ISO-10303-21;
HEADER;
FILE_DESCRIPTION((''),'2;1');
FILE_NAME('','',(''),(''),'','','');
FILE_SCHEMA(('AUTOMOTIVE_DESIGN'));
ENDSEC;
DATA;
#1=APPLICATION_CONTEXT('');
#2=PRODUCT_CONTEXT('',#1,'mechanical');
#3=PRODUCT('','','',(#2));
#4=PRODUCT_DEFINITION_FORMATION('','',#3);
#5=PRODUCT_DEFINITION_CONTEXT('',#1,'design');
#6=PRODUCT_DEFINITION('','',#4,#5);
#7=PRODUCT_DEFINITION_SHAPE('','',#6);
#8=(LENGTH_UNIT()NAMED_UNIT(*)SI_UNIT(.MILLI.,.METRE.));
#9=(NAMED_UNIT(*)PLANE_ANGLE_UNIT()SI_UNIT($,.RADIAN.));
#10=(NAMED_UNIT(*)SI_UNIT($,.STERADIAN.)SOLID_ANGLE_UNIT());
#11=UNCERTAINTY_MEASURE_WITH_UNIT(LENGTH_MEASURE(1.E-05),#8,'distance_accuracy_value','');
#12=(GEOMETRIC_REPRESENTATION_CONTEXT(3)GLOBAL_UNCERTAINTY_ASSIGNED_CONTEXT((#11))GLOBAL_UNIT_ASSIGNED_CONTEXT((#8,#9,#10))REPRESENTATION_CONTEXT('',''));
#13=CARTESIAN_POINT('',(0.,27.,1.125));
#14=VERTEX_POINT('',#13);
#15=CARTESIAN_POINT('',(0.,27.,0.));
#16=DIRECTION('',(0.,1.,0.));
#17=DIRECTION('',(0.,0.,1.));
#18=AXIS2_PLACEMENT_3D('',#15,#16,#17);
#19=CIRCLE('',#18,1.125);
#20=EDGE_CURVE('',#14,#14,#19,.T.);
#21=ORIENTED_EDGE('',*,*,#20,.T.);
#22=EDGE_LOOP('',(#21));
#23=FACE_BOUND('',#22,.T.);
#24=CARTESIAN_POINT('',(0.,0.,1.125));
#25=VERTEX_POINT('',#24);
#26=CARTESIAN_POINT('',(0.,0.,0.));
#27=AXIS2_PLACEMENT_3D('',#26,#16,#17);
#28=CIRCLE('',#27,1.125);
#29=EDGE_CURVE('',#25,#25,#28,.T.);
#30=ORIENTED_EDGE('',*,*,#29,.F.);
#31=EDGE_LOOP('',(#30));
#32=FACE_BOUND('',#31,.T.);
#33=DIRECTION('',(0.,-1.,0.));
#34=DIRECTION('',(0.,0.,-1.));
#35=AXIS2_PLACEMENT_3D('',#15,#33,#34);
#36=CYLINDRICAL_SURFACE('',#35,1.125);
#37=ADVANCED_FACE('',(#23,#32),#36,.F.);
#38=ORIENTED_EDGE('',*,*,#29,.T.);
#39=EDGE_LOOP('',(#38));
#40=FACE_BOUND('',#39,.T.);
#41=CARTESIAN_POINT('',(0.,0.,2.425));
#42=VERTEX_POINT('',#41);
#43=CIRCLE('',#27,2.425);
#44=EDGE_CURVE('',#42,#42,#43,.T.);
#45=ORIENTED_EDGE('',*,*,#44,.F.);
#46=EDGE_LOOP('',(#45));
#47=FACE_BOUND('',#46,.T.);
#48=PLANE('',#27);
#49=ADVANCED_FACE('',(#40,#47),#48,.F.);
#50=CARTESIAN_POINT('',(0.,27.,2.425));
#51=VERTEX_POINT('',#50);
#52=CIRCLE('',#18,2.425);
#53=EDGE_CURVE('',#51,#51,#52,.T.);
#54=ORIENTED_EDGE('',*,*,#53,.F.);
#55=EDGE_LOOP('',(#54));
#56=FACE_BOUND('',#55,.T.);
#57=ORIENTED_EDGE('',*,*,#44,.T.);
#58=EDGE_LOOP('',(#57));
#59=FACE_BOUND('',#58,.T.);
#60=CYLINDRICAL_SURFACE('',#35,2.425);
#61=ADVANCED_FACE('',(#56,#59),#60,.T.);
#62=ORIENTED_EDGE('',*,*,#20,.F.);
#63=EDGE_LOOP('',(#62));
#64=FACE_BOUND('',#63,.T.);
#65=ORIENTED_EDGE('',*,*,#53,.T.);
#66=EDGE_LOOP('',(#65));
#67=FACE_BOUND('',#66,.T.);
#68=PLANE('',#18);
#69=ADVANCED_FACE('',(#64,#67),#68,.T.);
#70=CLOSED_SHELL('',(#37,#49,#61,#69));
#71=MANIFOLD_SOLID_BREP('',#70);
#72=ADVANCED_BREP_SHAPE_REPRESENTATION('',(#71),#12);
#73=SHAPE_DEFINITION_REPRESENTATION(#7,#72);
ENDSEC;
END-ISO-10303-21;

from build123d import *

# Parameters (mm, degrees)
SKETCH1_R   = 2.425
SKETCH1_R_2 = 1.125
BASE_DEPTH  = 27


with BuildPart() as part:
    # Sketch1 → Base (new body)
    with BuildSketch(Plane(origin=(0, 0, 0), x_dir=(1, 0, 0), z_dir=(0, 1, 0))):
        with Locations(Location((0, 0, 0), (0, 0, 270))):
            Circle(SKETCH1_R)
        with Locations(Location((0, 0, 0), (0, 0, 270))):
            Circle(SKETCH1_R_2, mode=Mode.SUBTRACT)
    extrude(amount=BASE_DEPTH)


solid = part.part
